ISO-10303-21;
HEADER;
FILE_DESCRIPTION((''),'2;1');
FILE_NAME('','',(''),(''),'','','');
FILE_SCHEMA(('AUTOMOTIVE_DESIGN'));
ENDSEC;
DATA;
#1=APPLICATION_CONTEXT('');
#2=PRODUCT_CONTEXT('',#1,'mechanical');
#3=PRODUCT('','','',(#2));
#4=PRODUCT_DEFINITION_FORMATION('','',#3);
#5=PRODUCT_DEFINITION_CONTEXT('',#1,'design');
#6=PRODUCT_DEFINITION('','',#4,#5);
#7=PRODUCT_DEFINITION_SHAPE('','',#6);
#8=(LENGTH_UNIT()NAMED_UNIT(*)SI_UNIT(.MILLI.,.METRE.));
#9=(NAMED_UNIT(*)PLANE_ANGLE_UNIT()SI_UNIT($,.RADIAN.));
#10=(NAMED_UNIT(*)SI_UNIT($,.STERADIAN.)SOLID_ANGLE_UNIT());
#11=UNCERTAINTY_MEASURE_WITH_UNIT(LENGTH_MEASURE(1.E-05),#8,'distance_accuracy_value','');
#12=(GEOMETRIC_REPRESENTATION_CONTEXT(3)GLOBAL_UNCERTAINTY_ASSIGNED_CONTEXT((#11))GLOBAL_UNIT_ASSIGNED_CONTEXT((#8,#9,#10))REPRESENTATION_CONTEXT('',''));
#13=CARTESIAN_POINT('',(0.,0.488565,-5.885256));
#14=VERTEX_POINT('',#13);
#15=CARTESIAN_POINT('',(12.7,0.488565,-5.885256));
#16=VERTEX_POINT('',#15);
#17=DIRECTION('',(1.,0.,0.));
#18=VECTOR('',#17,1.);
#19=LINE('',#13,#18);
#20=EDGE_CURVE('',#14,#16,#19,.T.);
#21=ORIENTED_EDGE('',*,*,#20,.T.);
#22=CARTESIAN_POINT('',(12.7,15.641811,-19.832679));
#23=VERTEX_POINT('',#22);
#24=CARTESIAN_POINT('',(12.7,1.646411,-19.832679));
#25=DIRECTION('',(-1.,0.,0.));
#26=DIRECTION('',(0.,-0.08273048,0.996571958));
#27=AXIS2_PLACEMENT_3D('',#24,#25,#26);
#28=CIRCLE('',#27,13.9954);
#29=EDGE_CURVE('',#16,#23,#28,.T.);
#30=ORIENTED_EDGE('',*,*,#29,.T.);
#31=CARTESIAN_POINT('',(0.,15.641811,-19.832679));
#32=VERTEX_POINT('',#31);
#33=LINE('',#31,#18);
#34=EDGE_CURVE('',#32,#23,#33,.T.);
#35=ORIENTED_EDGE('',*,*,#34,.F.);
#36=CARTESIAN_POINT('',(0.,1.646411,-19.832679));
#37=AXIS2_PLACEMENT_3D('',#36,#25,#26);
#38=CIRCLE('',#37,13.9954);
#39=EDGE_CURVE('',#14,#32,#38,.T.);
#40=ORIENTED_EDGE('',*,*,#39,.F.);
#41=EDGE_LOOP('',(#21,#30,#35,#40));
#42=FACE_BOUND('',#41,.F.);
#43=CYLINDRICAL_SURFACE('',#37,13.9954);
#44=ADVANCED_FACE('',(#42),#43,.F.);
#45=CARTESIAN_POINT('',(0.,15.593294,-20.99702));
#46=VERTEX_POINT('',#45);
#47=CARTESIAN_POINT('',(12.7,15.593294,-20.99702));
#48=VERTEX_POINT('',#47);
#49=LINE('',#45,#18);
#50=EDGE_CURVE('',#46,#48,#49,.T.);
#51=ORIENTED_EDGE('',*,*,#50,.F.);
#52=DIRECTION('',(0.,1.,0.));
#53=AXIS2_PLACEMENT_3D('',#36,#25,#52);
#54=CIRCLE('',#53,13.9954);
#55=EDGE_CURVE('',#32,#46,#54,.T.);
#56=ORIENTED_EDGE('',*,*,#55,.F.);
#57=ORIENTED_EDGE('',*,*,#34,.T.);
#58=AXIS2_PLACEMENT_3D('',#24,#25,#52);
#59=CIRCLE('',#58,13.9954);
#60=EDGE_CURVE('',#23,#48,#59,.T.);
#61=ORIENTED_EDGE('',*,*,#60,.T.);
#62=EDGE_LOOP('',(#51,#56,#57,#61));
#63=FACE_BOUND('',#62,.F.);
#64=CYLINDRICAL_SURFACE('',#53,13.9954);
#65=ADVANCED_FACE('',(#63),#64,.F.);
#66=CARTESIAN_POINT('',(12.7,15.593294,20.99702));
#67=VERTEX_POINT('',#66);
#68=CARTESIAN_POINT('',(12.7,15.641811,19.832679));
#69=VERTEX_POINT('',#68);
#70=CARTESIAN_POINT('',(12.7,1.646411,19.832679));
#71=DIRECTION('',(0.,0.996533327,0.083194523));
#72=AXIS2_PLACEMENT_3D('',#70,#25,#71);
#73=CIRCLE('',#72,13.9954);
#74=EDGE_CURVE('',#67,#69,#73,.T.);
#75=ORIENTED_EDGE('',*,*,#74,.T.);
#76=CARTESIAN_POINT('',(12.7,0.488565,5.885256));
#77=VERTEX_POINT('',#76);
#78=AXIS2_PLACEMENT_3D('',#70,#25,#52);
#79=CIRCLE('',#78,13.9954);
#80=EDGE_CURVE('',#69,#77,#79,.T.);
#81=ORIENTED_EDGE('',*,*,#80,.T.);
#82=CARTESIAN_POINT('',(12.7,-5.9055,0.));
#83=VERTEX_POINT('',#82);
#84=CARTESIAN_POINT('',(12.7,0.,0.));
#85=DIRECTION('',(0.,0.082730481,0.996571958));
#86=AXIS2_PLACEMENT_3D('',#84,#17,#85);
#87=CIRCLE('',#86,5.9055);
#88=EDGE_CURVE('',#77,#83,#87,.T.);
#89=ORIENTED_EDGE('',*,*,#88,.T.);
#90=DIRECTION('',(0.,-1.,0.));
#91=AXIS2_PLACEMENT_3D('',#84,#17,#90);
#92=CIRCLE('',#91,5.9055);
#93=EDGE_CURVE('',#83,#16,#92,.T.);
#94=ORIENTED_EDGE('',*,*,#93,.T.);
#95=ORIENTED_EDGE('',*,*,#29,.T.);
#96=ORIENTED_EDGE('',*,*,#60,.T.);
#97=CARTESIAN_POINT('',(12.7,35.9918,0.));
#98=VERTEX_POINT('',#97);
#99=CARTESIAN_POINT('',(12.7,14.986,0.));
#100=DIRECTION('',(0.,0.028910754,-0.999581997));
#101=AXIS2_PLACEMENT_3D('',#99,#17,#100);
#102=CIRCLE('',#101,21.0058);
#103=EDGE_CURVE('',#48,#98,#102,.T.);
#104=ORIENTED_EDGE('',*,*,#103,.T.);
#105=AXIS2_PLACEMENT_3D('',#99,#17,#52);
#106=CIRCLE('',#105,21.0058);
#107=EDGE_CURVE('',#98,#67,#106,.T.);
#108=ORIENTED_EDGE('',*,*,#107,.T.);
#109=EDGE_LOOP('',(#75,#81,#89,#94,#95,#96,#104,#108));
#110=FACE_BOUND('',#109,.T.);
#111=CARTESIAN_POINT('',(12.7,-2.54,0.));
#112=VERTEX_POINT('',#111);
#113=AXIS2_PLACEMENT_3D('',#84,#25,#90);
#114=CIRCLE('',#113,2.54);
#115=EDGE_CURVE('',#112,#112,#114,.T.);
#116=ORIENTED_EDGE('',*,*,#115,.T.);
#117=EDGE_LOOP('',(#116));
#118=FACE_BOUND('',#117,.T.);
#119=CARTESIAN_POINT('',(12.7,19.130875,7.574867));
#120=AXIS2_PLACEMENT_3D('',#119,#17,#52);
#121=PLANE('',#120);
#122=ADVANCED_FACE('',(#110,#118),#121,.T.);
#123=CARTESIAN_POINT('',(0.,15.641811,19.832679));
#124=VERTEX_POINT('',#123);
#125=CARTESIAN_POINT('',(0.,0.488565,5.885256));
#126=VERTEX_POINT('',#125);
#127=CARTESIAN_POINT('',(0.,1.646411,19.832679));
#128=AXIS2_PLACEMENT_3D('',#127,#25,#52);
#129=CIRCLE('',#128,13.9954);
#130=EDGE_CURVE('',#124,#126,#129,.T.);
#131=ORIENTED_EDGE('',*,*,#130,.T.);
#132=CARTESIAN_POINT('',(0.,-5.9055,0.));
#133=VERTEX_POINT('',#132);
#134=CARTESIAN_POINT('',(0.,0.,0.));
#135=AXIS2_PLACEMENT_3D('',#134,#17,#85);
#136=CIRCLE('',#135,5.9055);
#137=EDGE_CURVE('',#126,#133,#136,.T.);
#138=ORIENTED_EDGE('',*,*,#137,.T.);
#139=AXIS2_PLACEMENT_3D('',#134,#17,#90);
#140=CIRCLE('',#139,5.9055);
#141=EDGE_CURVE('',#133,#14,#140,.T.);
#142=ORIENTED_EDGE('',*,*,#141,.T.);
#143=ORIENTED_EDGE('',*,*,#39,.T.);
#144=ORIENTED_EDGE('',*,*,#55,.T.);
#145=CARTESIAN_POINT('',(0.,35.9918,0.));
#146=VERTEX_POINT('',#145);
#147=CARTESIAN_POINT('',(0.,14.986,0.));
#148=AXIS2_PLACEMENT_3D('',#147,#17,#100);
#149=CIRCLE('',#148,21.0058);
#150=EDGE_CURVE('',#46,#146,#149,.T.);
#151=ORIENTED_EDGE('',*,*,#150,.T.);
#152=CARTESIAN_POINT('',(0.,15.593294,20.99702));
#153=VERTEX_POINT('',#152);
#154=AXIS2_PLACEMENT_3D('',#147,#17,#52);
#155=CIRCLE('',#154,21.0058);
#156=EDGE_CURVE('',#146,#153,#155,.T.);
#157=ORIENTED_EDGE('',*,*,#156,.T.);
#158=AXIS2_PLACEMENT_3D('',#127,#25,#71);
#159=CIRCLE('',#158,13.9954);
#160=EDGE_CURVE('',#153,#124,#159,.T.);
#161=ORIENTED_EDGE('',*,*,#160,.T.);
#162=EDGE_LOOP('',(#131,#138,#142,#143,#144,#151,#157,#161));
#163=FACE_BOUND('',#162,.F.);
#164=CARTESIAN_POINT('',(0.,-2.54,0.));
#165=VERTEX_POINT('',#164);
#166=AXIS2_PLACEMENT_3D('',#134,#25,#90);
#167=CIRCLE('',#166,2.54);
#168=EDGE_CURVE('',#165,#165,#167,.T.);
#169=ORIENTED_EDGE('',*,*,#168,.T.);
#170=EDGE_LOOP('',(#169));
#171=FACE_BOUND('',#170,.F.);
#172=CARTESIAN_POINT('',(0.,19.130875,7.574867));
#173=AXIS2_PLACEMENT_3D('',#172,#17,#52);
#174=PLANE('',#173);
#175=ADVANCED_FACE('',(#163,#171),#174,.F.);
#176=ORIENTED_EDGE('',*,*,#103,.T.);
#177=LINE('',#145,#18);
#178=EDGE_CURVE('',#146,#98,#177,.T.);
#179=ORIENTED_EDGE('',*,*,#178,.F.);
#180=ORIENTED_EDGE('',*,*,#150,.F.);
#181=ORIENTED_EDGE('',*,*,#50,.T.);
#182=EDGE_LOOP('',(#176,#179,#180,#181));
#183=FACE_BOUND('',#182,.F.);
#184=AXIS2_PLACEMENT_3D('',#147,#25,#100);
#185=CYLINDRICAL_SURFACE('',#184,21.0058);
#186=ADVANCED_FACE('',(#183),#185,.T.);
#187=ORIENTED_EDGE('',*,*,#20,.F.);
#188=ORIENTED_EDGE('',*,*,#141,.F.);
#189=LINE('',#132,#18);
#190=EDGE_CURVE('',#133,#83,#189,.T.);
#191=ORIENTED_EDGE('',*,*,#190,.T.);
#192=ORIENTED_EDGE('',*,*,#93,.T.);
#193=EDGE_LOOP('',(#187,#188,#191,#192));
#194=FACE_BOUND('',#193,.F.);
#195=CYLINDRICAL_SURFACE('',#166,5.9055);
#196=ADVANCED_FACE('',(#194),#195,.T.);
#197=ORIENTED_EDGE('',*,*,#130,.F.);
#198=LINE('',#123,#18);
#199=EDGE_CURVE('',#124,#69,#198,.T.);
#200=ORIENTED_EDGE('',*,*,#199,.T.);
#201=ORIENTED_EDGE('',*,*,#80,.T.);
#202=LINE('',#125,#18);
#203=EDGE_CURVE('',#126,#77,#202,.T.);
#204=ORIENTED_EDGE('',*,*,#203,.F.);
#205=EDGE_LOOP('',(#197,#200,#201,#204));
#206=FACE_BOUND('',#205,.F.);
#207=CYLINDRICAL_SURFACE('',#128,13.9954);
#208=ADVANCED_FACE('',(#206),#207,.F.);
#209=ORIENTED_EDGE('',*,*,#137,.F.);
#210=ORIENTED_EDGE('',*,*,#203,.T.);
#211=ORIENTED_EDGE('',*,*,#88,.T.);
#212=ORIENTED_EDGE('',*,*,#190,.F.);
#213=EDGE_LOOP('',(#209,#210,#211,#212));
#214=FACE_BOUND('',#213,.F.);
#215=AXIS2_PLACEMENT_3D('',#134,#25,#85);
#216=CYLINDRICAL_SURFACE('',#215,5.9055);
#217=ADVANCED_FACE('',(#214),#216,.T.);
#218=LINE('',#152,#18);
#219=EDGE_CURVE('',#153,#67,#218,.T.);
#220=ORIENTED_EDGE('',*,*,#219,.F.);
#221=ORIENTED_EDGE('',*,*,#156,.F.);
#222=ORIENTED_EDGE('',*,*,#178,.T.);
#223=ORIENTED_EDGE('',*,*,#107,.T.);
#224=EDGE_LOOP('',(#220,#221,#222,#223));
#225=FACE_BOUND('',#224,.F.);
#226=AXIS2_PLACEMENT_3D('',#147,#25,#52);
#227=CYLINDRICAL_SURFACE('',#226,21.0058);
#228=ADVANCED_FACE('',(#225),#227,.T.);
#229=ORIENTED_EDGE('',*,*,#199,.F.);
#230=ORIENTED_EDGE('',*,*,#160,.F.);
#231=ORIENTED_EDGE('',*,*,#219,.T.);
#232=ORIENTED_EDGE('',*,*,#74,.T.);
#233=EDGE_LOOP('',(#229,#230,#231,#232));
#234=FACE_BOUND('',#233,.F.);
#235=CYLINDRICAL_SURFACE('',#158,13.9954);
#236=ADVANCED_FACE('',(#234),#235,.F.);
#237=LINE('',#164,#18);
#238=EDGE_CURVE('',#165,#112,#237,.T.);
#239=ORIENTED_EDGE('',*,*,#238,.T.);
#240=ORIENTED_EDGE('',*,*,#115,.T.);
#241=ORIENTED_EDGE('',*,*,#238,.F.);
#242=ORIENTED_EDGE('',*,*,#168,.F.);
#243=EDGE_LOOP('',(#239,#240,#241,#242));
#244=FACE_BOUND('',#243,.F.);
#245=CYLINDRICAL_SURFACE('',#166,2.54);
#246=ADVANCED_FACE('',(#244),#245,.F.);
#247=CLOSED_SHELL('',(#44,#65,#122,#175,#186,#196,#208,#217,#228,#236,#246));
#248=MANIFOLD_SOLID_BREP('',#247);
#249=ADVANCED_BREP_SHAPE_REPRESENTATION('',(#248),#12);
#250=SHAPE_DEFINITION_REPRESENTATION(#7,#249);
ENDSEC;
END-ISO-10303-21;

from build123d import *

# Parameters (mm, degrees)
F1_DEPTH = 12.7


with BuildPart() as f1:
    # F0 (on Right) → F1 (new body)
    with BuildSketch(Plane.YZ):
        with BuildLine():
            ThreePointArc((0.488564857, 5.885255698), (4.3451208276, 3.9993568537), (5.9055, 0))
            Line((5.9055, 0), (35.9918, 0))
            ThreePointArc((35.9918, 0), (30.0525244802, 14.6370582333), (15.5932935183, 20.9970195081))
            ThreePointArc((15.5932935183, 20.9970195081), (15.6296763666, 20.4153544005), (15.6418109969, 19.8326788821))
            ThreePointArc((15.6418109969, 19.8326788821), (11.1244567157, 9.5352097506), (0.488564857, 5.885255698))
        make_face()
        with BuildLine():
            Line((35.9918, 0), (5.9055, 0))
            ThreePointArc((5.9055, 0), (4.3451208206, -3.9993568613), (0.4885648365, -5.8852556997))
            ThreePointArc((0.4885648365, -5.8852556997), (11.1244567081, -9.5352097437), (15.6418109969, -19.8326788821))
            ThreePointArc((15.6418109969, -19.8326788821), (15.6296763666, -20.4153544005), (15.5932935183, -20.9970195081))
            ThreePointArc((15.5932935183, -20.9970195081), (30.0525244802, -14.6370582333), (35.9918, 0))
        make_face()
        with BuildLine():
            Line((5.9055, 0), (2.54, 0))
            ThreePointArc((2.54, 0), (0, -2.54), (-2.54, 0))
            Line((-2.54, 0), (-5.9055, 0))
            ThreePointArc((-5.9055, 0), (-3.9993568613, -4.3451208206), (0.4885648365, -5.8852556997))
            ThreePointArc((0.4885648365, -5.8852556997), (4.3451208206, -3.9993568613), (5.9055, 0))
        make_face()
        with BuildLine():
            ThreePointArc((-2.54, 0), (0, 2.54), (2.54, 0))
            Line((2.54, 0), (5.9055, 0))
            ThreePointArc((5.9055, 0), (4.3451208276, 3.9993568537), (0.488564857, 5.885255698))
            ThreePointArc((0.488564857, 5.885255698), (-3.9993568537, 4.3451208276), (-5.9055, 0))
            Line((-5.9055, 0), (-2.54, 0))
        make_face()
    extrude(amount=F1_DEPTH)


solid = f1.part
